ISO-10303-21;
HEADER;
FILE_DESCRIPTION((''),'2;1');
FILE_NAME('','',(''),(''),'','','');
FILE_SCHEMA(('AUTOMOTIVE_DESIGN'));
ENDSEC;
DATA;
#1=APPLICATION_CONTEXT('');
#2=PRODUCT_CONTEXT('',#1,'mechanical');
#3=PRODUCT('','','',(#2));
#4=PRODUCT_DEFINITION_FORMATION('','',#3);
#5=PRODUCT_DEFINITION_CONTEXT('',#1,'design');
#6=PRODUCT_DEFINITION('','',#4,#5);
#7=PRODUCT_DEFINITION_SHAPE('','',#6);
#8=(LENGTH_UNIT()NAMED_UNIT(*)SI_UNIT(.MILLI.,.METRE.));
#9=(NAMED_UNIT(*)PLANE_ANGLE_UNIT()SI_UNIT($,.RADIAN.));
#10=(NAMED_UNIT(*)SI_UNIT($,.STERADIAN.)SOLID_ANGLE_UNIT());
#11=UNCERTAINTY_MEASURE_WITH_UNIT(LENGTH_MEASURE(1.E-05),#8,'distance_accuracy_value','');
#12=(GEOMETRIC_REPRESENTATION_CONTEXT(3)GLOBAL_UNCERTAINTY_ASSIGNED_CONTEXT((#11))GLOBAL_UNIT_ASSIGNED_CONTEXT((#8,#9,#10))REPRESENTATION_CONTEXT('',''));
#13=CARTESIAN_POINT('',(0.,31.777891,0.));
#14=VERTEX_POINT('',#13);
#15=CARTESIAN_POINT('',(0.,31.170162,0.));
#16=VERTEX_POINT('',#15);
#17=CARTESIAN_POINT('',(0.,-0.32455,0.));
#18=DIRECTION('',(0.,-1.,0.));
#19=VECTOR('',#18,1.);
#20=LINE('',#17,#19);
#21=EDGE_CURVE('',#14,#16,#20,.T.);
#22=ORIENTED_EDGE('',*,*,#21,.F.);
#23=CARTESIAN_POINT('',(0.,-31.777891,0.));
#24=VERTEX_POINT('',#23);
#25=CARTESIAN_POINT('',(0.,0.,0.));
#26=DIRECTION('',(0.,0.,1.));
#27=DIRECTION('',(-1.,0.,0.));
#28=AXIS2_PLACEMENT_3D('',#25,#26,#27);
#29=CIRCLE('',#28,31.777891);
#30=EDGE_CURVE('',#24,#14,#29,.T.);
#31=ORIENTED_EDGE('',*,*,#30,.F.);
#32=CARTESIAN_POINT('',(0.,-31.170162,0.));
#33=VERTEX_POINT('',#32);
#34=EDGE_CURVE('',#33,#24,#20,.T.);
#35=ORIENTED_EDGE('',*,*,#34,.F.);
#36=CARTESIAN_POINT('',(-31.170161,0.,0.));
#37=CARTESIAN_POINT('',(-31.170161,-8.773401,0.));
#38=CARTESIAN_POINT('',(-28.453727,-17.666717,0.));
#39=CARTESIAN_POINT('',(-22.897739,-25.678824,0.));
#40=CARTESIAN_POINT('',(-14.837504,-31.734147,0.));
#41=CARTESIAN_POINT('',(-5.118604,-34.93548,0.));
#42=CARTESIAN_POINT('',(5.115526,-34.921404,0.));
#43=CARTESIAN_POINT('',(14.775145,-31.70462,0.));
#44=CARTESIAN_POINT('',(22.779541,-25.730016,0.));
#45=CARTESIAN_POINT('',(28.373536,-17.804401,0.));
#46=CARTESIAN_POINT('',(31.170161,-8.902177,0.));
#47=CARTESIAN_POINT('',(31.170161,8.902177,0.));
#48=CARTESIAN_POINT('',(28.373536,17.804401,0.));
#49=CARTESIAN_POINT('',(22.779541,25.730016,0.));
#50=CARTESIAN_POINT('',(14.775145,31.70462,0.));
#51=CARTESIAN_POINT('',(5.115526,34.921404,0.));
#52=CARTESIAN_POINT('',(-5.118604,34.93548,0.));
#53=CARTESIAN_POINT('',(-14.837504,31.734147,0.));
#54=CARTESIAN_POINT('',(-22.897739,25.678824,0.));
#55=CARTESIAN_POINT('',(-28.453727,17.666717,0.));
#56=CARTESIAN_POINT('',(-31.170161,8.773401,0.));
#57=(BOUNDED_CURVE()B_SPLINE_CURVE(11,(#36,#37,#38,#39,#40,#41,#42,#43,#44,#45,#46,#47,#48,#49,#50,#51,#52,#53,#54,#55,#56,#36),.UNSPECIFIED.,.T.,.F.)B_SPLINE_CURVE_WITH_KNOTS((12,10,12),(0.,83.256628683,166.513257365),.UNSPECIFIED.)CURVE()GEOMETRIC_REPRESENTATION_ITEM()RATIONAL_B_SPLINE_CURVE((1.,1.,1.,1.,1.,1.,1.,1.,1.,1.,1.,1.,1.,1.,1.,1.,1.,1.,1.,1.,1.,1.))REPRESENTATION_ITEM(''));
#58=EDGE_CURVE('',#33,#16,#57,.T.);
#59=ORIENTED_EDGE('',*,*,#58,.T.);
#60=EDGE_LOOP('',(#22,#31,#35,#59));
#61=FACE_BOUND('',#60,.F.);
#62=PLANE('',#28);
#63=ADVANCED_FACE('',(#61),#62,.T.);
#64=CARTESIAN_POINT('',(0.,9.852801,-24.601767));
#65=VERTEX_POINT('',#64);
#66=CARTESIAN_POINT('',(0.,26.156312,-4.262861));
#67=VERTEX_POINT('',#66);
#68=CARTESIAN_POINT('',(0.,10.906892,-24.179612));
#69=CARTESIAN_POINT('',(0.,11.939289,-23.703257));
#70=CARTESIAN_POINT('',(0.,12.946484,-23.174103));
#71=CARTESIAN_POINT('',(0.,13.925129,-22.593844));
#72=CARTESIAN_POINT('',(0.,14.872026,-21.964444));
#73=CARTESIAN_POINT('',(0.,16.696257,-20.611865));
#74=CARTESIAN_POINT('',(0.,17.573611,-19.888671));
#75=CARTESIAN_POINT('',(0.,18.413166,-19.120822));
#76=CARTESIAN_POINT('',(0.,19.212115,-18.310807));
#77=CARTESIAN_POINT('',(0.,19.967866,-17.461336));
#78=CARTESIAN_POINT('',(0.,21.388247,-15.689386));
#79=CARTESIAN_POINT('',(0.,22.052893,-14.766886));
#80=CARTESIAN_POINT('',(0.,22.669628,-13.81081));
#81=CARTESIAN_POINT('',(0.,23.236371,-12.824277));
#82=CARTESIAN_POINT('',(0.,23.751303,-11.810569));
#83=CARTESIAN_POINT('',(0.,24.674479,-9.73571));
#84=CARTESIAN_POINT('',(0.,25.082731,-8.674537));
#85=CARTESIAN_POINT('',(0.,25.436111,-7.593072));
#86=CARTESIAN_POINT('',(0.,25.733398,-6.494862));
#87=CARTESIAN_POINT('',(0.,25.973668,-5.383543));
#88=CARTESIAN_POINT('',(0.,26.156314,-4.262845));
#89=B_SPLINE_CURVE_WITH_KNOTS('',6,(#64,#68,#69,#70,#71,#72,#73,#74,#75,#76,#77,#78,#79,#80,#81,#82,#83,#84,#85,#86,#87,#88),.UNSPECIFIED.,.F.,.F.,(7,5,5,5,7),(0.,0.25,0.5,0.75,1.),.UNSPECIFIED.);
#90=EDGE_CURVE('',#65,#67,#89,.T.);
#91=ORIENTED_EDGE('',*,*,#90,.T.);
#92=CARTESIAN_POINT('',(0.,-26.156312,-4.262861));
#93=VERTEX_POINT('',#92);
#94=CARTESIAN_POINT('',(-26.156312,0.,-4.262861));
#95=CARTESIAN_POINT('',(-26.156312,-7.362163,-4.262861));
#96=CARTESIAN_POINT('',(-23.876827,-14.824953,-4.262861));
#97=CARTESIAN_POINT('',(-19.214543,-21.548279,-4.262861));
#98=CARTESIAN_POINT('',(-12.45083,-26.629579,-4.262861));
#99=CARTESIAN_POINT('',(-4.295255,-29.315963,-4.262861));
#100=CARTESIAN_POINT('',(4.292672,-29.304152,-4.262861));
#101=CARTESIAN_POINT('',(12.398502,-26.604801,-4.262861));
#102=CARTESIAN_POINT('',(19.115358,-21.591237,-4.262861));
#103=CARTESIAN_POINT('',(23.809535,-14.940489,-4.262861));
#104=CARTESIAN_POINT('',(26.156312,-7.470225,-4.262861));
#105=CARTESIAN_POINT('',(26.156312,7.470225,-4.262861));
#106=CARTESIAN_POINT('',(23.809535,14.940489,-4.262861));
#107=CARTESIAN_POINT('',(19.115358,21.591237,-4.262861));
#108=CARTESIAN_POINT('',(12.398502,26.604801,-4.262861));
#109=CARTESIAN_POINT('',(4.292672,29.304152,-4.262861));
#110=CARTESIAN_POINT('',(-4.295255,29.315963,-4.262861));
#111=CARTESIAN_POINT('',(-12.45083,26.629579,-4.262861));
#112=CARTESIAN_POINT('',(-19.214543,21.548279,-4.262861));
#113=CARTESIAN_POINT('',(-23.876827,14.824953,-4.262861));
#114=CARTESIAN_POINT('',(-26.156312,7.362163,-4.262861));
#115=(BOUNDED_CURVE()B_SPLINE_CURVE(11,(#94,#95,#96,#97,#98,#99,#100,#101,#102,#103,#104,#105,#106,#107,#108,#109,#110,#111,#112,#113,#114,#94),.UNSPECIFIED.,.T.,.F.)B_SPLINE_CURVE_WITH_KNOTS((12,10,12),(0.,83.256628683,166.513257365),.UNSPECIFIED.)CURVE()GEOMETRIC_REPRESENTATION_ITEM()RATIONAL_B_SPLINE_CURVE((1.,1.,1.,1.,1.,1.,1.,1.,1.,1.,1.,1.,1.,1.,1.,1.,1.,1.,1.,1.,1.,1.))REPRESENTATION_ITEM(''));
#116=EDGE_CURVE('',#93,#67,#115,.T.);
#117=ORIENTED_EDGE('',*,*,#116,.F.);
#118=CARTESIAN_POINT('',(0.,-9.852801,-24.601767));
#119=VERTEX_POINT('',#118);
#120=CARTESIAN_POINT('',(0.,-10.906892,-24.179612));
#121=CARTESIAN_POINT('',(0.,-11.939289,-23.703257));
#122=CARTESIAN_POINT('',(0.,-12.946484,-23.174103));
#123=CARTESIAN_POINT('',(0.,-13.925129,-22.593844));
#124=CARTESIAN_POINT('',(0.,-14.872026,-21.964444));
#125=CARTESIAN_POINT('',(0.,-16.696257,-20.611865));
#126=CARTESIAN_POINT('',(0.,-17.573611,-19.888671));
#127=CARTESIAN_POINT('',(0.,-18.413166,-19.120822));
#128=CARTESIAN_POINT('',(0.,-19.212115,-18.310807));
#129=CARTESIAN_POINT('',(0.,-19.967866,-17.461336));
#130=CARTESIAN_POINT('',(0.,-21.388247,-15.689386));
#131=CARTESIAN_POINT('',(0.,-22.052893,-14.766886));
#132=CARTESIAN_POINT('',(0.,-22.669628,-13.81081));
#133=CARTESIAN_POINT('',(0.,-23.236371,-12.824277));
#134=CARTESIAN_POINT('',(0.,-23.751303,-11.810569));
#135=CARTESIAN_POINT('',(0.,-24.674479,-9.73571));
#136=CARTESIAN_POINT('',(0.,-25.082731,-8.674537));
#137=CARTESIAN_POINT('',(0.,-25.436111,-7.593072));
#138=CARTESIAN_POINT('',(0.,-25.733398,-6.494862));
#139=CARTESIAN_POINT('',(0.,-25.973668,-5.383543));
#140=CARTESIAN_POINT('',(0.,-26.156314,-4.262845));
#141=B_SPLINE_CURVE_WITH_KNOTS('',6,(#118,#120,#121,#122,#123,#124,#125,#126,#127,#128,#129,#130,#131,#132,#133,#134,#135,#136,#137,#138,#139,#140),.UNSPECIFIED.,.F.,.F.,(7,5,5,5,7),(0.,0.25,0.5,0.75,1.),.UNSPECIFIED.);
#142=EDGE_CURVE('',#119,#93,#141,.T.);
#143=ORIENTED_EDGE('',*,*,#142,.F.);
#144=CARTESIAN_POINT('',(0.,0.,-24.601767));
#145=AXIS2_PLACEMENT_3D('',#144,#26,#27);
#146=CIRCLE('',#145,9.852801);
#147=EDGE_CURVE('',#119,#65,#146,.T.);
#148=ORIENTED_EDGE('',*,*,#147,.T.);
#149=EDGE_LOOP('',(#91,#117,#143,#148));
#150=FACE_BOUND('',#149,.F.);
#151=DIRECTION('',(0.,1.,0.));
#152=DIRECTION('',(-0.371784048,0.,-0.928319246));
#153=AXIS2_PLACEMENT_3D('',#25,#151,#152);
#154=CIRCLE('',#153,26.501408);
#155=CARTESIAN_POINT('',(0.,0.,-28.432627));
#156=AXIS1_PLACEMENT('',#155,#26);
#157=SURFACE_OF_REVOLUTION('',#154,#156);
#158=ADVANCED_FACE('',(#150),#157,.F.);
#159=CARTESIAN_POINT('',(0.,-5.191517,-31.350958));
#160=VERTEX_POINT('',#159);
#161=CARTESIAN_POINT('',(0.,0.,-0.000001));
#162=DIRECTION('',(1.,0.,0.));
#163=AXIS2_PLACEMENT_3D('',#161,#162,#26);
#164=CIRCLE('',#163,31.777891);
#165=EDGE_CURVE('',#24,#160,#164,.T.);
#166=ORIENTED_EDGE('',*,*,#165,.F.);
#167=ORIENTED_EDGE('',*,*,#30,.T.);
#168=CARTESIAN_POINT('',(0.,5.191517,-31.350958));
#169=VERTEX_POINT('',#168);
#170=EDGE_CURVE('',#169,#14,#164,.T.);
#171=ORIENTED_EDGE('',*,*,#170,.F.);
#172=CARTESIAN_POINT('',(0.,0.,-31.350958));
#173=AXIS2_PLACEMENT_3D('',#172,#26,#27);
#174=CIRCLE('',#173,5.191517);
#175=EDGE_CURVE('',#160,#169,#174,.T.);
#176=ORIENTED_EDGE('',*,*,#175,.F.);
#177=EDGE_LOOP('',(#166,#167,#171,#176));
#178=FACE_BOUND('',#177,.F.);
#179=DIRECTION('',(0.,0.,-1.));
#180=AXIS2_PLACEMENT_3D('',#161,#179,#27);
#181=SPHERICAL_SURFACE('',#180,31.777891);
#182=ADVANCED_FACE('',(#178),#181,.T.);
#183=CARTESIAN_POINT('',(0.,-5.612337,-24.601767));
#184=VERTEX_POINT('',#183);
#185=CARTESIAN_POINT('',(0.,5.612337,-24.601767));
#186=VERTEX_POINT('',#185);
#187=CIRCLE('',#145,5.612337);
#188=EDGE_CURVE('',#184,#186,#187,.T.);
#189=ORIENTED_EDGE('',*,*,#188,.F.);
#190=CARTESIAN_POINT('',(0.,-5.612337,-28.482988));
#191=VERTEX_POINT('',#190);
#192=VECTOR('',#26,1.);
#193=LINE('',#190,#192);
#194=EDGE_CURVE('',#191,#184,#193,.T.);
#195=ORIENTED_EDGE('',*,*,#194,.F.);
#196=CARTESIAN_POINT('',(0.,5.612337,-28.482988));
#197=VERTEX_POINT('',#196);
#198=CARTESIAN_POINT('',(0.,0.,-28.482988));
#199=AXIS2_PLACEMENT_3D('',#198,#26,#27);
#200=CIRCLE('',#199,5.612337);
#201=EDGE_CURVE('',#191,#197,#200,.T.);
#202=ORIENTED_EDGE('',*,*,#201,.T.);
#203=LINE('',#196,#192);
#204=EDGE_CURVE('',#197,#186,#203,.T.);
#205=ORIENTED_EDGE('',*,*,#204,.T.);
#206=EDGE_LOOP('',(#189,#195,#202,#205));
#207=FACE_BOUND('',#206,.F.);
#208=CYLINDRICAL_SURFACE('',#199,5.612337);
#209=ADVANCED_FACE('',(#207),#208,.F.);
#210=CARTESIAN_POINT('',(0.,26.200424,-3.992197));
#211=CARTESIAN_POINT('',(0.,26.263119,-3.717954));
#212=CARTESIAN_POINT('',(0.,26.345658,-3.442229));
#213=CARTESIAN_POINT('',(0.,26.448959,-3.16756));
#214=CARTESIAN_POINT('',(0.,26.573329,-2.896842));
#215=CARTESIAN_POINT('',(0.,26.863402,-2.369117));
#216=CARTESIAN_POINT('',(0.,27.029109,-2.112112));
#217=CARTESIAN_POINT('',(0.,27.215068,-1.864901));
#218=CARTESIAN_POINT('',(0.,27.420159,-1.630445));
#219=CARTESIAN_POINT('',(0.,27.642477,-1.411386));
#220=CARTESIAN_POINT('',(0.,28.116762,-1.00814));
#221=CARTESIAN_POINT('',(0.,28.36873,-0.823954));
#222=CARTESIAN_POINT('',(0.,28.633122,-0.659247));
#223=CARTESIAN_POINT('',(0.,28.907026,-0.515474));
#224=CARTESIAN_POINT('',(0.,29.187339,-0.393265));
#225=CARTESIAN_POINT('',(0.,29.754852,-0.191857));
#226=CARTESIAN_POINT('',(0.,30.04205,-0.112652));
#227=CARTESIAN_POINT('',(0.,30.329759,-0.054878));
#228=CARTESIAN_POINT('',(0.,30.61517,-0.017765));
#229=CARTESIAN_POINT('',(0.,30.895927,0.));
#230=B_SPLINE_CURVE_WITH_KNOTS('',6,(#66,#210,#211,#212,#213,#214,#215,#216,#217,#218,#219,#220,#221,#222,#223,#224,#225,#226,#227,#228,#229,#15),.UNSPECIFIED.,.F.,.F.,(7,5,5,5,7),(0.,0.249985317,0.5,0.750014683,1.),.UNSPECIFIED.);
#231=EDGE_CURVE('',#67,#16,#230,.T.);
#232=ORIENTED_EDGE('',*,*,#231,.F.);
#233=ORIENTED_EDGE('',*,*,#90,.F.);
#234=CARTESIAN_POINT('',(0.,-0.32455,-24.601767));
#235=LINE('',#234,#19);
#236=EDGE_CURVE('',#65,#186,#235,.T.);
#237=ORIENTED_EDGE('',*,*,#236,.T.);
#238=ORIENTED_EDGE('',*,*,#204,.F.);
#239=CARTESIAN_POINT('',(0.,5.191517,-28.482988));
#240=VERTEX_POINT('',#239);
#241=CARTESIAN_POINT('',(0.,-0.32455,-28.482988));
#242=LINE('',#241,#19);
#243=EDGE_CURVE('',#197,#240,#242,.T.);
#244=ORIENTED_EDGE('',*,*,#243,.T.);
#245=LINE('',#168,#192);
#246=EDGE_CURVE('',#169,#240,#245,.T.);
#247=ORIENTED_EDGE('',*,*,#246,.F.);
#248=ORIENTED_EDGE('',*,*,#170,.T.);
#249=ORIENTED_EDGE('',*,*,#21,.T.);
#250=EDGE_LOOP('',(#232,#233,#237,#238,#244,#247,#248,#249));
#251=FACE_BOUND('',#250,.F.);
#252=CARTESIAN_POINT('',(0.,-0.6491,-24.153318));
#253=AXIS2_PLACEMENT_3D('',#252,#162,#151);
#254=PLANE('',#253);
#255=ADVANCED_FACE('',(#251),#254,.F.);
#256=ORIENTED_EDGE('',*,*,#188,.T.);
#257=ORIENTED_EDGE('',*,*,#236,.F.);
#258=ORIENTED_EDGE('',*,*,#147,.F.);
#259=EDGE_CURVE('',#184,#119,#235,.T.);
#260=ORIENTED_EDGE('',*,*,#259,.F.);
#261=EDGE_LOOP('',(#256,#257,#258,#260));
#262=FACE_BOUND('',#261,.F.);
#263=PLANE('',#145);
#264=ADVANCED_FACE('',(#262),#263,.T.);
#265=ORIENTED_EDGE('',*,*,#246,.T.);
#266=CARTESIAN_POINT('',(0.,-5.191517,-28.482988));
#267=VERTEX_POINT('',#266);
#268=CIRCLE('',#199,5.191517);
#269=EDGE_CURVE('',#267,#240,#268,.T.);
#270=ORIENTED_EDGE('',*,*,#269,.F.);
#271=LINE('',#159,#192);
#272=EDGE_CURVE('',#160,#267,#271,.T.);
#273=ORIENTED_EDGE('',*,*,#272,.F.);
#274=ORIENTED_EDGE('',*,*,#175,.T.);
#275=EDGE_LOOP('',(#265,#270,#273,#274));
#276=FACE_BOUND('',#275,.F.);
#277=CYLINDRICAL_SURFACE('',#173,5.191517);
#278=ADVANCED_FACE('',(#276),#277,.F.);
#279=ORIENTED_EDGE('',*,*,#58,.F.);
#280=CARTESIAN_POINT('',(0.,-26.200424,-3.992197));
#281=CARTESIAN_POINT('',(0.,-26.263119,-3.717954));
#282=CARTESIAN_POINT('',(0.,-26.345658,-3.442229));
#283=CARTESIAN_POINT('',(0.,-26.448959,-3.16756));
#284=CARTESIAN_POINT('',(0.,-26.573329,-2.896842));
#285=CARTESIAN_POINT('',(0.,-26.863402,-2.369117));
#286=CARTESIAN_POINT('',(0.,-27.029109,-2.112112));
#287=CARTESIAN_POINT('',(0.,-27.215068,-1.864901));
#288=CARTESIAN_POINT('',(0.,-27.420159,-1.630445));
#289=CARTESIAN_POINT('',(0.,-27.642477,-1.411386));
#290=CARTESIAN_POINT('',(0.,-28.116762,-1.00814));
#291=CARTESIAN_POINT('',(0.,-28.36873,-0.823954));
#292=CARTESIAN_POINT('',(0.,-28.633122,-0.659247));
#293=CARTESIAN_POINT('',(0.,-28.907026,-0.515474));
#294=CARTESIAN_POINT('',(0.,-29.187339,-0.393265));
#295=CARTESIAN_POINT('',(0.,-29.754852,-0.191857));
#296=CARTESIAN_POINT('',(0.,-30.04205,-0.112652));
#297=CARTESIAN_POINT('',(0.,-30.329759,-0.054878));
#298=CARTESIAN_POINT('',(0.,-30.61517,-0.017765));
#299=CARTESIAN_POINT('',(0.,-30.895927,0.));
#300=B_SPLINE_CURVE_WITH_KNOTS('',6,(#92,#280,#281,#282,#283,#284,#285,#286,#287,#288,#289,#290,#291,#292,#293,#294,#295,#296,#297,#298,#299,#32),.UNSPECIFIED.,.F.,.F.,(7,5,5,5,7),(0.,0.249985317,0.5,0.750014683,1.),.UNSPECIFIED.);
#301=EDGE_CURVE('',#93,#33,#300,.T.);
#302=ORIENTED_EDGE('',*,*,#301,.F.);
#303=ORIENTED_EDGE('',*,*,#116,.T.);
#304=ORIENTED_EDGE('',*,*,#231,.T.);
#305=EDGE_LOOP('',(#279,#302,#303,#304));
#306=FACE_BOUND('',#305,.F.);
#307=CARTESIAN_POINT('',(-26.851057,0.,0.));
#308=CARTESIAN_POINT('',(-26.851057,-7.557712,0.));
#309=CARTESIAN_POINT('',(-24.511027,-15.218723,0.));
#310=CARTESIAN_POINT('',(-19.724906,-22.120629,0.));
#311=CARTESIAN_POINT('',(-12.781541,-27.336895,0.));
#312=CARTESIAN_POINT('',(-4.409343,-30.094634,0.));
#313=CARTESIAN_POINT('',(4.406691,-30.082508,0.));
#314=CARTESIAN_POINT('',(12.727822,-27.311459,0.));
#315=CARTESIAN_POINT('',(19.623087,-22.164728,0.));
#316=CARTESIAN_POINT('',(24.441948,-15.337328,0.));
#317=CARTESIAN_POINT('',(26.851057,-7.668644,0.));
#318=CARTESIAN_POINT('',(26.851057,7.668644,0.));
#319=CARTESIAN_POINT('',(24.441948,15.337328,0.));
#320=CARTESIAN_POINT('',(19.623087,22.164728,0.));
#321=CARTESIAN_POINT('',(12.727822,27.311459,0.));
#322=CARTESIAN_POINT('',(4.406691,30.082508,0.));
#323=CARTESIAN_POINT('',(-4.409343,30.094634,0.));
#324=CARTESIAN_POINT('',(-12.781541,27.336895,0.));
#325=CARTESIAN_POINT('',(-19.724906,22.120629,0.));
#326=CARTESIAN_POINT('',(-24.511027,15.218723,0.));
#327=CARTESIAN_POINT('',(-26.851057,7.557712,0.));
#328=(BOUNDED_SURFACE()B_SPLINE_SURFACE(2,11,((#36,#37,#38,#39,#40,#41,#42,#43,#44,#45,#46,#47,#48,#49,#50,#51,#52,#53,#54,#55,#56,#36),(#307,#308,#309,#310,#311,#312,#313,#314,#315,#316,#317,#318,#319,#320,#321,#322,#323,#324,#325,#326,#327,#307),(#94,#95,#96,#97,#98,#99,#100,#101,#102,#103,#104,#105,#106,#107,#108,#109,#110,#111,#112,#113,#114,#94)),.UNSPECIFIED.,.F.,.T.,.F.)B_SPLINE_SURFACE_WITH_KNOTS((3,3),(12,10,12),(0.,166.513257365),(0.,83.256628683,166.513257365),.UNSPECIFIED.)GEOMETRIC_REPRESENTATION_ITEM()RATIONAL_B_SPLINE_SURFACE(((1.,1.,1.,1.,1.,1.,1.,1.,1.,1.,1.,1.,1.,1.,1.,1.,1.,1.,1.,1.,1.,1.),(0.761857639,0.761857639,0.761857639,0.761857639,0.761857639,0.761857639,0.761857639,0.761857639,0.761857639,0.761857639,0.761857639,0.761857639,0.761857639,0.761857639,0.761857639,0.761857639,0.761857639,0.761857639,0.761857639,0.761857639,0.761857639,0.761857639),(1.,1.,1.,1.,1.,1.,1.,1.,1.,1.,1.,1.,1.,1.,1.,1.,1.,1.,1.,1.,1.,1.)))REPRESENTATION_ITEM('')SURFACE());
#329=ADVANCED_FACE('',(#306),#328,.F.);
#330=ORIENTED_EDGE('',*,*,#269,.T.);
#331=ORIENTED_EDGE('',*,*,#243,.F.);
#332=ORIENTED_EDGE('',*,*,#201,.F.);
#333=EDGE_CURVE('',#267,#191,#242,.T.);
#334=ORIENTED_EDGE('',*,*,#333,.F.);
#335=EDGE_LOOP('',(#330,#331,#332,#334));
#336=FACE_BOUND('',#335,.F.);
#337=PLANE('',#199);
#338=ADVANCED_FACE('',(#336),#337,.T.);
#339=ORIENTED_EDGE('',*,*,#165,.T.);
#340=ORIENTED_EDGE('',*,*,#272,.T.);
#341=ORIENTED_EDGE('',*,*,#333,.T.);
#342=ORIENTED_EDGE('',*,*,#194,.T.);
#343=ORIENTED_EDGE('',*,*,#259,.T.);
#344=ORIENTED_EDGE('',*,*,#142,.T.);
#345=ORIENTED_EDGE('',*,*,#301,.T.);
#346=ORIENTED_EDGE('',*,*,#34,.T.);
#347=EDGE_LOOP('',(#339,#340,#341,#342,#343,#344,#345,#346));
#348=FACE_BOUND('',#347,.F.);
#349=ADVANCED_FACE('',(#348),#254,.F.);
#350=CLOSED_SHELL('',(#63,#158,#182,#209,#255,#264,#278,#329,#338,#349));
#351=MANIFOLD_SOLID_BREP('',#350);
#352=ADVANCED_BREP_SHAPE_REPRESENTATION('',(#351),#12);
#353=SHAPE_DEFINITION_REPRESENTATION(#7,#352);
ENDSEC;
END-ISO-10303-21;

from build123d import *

# Parameters (mm, degrees)
F2_R     = 5.08
F3_W     = 75.227168
F3_H     = 48.306637
F4_DEPTH = 34.29


with BuildPart() as f1:
    # F0 (on Front) → F1 (revolve)
    with BuildSketch(Plane.XZ):
        with BuildLine():
            Line((-26.501408, 0), (-31.777891, 0))
            ThreePointArc((-31.777891, 0), (-24.236438, -20.553089), (-5.191517, -31.350958))
            Line((-5.191517, -31.350958), (-5.191517, -28.482988))
            Line((-5.191517, -28.482988), (-5.612337, -28.482988))
            Line((-5.612337, -28.482988), (-5.612337, -24.601767))
            Line((-5.612337, -24.601767), (-9.852801, -24.601767))
            ThreePointArc((-9.852801, -24.601767), (-21.948095, -14.852803), (-26.501408, 0))
        make_face()
    revolve(axis=Axis((0, 0, -28.432627), (0, 0, 1)))

    # F2
    f2_edges = [f1.edges().sort_by_distance(p)[0] for p in [
        (26.501408, 0, 0),
    ]]
    fillet(f2_edges, radius=F2_R)

    # F3 (on Right) → F4 (cut)
    with BuildSketch(Plane.YZ):
        with Locations((-0.6491, -24.153318)):
            Rectangle(F3_W, F3_H)
    extrude(amount=-F4_DEPTH, mode=Mode.SUBTRACT)


solid = f1.part
